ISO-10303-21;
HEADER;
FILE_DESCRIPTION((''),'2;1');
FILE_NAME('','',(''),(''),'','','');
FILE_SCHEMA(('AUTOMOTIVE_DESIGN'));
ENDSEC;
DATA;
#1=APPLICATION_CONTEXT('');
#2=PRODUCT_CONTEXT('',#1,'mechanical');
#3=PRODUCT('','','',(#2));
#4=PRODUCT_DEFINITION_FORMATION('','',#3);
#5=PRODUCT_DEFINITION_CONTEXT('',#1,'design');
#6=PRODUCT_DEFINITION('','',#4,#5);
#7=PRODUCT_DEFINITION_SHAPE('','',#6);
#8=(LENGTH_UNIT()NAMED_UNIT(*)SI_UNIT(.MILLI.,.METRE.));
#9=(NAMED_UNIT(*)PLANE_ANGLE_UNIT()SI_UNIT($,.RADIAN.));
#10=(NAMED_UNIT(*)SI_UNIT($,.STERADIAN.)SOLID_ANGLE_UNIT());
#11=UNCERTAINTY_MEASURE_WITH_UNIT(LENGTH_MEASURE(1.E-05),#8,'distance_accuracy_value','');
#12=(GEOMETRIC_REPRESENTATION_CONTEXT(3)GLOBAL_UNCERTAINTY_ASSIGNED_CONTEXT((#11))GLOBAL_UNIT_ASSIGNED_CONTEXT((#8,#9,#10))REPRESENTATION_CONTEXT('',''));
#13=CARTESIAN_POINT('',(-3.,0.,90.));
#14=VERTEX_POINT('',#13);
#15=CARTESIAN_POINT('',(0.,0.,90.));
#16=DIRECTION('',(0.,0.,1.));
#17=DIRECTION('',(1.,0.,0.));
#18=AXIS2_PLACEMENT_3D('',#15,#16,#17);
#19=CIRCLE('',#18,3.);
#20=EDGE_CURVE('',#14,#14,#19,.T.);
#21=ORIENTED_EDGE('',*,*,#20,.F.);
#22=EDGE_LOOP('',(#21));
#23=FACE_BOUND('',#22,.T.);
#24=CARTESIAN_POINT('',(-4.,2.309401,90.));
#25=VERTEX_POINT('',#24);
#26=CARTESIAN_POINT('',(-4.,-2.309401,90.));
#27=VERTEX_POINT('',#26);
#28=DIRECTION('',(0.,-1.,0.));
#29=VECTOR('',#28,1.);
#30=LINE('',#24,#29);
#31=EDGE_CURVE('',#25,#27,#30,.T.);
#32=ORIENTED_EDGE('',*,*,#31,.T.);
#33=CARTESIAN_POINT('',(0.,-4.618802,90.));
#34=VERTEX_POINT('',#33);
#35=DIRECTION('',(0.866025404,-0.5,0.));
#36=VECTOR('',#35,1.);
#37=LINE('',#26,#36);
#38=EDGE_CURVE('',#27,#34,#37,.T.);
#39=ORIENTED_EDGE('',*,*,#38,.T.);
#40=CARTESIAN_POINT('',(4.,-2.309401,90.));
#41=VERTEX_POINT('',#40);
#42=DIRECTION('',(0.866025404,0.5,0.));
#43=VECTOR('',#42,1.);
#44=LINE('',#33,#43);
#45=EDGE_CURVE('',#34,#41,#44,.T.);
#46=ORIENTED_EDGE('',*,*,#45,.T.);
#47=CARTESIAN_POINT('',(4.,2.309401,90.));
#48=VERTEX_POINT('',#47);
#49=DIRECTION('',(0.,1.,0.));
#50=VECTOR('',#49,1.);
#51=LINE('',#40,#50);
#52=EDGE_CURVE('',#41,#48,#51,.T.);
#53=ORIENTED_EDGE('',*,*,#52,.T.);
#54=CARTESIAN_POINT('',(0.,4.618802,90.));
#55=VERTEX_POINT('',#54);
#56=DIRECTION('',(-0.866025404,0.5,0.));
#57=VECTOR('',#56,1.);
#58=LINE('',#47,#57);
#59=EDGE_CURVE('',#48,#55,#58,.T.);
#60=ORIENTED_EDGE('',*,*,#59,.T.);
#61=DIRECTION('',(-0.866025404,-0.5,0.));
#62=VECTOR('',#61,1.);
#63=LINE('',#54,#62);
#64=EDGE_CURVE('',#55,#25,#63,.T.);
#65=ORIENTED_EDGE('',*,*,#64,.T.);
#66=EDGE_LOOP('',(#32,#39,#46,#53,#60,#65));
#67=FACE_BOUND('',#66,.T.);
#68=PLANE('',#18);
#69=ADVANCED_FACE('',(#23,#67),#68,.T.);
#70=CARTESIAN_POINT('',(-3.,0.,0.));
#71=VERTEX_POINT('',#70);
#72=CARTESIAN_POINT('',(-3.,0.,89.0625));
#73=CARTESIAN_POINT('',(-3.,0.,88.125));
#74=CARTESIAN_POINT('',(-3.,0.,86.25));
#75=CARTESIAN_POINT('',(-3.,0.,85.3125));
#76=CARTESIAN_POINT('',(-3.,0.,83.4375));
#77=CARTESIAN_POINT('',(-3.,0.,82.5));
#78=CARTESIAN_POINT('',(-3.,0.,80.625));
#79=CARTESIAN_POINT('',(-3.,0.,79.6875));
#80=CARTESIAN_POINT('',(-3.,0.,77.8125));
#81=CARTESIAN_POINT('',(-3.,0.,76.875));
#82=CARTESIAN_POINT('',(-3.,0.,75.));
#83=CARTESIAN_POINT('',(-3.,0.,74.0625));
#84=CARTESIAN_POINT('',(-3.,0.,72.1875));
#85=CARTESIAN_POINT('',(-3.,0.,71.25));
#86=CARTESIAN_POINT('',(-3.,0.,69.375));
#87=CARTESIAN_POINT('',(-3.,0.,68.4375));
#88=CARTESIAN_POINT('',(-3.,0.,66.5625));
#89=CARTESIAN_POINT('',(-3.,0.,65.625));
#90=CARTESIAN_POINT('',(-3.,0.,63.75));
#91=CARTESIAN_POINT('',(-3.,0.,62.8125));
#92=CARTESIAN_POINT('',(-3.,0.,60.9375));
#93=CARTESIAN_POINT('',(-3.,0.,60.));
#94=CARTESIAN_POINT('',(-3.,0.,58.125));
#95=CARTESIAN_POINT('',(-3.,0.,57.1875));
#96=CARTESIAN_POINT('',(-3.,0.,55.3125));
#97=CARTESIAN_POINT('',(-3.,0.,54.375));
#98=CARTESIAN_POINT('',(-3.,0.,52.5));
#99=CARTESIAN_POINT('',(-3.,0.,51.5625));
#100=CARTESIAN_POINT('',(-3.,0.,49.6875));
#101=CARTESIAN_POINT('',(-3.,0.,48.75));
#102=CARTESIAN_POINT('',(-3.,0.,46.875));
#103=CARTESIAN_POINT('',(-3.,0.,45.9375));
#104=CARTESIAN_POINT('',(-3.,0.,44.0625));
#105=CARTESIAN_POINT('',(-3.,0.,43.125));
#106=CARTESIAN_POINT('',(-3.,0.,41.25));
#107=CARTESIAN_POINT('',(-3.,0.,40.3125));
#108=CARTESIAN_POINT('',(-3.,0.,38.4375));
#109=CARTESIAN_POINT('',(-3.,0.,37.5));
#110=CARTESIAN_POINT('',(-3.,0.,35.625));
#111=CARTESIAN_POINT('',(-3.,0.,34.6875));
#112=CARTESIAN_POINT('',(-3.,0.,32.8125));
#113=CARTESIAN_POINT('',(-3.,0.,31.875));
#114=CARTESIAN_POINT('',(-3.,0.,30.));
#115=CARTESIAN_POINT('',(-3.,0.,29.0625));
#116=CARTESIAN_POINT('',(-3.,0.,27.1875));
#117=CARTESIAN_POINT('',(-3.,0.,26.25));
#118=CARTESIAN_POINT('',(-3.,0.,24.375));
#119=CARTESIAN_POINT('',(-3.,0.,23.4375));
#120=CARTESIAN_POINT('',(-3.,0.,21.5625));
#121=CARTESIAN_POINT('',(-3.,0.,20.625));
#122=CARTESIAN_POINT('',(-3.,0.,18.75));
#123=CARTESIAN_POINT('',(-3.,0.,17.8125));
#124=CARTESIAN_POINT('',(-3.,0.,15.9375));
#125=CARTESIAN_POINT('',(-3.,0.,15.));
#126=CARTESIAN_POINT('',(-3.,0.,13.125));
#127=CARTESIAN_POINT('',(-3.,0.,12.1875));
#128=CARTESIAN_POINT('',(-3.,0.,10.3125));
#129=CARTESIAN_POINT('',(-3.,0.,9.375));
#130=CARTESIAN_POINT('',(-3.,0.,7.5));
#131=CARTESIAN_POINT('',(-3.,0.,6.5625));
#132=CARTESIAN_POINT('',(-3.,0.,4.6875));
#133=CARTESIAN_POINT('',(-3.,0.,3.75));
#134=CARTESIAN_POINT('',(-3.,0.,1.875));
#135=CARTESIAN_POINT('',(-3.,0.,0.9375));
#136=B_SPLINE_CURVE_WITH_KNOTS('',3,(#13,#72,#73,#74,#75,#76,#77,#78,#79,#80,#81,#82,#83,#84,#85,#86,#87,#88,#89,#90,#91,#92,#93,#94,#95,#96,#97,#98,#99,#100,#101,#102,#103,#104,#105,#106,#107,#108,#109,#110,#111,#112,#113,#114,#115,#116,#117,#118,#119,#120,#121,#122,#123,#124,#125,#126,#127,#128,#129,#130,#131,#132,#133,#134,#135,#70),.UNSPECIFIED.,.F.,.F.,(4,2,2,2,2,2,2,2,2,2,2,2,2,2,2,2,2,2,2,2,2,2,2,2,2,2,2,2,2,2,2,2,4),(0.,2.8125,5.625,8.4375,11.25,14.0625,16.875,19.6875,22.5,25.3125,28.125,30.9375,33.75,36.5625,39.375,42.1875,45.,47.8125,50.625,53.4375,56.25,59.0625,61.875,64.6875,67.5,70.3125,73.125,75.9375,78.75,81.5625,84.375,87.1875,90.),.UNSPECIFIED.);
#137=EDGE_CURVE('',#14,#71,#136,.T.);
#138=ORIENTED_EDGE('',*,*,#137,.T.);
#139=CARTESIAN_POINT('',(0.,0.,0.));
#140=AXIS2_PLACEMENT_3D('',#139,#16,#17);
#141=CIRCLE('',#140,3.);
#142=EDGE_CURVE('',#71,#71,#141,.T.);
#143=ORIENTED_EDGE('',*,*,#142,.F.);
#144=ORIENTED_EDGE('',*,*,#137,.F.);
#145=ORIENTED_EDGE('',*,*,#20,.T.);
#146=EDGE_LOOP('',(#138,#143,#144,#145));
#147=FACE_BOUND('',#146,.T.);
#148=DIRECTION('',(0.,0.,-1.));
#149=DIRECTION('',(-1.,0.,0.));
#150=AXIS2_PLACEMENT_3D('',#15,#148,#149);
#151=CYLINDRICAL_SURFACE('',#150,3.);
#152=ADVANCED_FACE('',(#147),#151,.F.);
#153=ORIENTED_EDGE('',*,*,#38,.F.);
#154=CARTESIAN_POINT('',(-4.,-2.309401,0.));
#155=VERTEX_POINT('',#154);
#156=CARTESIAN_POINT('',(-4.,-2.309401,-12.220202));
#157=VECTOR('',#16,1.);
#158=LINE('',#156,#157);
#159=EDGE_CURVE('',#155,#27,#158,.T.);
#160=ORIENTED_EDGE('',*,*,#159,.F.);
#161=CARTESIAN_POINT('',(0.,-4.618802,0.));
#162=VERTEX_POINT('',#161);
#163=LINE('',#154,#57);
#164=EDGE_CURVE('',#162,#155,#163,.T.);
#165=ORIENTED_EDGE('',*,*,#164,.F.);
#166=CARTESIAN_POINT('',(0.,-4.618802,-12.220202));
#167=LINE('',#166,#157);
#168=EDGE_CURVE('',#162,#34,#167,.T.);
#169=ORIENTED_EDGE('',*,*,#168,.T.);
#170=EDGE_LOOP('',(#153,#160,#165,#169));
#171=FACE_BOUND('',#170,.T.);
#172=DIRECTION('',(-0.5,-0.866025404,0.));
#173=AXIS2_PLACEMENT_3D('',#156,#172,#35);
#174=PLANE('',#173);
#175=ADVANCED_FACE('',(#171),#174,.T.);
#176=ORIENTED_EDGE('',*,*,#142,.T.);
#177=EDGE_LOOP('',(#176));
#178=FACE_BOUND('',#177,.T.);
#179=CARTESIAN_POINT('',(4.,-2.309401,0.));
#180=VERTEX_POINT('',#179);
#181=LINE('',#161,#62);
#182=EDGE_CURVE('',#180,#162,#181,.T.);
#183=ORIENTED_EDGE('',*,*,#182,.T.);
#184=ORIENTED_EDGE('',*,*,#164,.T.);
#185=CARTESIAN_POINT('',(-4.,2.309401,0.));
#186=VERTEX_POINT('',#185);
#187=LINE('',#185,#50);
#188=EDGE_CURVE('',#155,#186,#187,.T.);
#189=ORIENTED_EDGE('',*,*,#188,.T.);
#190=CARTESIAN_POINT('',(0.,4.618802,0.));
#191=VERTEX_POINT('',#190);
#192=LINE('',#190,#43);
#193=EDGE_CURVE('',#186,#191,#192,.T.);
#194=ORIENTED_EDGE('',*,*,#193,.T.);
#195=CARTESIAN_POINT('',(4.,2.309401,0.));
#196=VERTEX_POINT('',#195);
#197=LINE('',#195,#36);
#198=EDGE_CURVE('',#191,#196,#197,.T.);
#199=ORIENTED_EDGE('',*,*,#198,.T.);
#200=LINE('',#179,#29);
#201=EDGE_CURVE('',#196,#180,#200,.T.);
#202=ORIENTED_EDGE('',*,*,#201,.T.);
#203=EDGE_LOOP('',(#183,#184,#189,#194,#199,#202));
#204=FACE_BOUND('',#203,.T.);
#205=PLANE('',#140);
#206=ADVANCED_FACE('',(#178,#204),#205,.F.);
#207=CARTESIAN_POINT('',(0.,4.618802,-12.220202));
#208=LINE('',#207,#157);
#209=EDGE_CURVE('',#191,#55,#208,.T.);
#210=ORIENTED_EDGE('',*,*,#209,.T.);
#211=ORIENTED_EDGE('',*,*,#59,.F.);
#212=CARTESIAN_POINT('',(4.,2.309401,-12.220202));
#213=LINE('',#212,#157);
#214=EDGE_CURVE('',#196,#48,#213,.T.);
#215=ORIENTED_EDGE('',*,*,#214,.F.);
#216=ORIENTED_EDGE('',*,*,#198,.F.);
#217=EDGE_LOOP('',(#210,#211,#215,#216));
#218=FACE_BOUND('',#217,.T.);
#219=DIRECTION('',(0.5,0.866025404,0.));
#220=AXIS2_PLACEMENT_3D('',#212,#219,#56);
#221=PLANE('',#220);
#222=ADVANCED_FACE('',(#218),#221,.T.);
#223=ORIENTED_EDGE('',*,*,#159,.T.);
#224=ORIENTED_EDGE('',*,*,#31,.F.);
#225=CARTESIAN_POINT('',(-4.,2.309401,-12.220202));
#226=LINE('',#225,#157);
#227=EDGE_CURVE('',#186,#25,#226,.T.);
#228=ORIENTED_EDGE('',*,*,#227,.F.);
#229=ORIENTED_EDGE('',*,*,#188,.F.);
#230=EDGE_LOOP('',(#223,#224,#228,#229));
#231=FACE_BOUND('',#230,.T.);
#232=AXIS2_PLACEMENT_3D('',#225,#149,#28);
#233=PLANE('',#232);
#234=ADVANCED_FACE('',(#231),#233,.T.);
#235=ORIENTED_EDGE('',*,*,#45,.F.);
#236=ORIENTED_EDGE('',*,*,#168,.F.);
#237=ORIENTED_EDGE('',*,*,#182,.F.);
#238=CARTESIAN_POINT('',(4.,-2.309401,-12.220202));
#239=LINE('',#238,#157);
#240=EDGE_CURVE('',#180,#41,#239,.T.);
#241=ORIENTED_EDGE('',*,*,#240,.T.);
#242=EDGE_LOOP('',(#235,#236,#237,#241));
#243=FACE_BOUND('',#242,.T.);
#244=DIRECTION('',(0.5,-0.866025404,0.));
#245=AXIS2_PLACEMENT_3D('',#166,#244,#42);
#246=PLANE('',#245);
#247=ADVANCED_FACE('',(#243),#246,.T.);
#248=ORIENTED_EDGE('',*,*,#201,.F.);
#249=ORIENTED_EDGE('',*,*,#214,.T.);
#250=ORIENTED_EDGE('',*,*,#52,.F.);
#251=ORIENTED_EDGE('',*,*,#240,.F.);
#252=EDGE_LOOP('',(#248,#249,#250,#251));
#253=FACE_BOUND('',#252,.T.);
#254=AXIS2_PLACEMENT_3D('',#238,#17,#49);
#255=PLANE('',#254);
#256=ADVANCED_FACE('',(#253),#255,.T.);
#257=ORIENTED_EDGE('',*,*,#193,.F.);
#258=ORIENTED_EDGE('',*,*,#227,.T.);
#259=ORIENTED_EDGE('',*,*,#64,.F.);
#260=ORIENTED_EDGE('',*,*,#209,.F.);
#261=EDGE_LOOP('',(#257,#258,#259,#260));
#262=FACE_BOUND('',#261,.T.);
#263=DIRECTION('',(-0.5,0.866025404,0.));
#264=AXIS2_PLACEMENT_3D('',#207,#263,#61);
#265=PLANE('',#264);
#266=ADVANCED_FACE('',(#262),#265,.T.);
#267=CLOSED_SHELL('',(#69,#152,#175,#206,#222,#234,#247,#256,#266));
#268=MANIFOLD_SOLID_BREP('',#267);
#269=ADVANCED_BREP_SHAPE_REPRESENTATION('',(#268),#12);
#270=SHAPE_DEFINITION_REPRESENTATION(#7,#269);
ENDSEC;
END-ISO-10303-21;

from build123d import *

# Parameters (mm, degrees)
SKETCH_1_R      = 4
SKETCH_1_R_2    = 3
EXTRUDE_1_DEPTH = 90
EXTRUDE_START   = -90
SKETCH_2_R      = 3
EXTRUDE_2_DEPTH = 90


with BuildPart() as part:
    # 草图1 → 凸台-拉伸1 (new body)
    with BuildSketch(Plane.XY):
        with Locations(Location((0, 0, 0), (0, 0, 180))):
            Circle(SKETCH_1_R)
        with Locations(Location((0, 0, 0), (0, 0, 180))):
            Circle(SKETCH_1_R_2, mode=Mode.SUBTRACT)
    extrude(amount=EXTRUDE_1_DEPTH)

    # 草图2 → 凸台-拉伸2 (add)
    with BuildSketch(Plane.XY.offset(90).offset(EXTRUDE_START)):
        Polygon((4, 2.309401077), (0, 4.618802154), (-4, 2.309401077), (-4, -2.309401077), (0, -4.618802154), (4, -2.309401077), align=None)
        with Locations(Location((0, 0, 0), (0, 0, 180))):
            Circle(SKETCH_2_R, mode=Mode.SUBTRACT)
    extrude(amount=EXTRUDE_2_DEPTH)


solid = part.part
